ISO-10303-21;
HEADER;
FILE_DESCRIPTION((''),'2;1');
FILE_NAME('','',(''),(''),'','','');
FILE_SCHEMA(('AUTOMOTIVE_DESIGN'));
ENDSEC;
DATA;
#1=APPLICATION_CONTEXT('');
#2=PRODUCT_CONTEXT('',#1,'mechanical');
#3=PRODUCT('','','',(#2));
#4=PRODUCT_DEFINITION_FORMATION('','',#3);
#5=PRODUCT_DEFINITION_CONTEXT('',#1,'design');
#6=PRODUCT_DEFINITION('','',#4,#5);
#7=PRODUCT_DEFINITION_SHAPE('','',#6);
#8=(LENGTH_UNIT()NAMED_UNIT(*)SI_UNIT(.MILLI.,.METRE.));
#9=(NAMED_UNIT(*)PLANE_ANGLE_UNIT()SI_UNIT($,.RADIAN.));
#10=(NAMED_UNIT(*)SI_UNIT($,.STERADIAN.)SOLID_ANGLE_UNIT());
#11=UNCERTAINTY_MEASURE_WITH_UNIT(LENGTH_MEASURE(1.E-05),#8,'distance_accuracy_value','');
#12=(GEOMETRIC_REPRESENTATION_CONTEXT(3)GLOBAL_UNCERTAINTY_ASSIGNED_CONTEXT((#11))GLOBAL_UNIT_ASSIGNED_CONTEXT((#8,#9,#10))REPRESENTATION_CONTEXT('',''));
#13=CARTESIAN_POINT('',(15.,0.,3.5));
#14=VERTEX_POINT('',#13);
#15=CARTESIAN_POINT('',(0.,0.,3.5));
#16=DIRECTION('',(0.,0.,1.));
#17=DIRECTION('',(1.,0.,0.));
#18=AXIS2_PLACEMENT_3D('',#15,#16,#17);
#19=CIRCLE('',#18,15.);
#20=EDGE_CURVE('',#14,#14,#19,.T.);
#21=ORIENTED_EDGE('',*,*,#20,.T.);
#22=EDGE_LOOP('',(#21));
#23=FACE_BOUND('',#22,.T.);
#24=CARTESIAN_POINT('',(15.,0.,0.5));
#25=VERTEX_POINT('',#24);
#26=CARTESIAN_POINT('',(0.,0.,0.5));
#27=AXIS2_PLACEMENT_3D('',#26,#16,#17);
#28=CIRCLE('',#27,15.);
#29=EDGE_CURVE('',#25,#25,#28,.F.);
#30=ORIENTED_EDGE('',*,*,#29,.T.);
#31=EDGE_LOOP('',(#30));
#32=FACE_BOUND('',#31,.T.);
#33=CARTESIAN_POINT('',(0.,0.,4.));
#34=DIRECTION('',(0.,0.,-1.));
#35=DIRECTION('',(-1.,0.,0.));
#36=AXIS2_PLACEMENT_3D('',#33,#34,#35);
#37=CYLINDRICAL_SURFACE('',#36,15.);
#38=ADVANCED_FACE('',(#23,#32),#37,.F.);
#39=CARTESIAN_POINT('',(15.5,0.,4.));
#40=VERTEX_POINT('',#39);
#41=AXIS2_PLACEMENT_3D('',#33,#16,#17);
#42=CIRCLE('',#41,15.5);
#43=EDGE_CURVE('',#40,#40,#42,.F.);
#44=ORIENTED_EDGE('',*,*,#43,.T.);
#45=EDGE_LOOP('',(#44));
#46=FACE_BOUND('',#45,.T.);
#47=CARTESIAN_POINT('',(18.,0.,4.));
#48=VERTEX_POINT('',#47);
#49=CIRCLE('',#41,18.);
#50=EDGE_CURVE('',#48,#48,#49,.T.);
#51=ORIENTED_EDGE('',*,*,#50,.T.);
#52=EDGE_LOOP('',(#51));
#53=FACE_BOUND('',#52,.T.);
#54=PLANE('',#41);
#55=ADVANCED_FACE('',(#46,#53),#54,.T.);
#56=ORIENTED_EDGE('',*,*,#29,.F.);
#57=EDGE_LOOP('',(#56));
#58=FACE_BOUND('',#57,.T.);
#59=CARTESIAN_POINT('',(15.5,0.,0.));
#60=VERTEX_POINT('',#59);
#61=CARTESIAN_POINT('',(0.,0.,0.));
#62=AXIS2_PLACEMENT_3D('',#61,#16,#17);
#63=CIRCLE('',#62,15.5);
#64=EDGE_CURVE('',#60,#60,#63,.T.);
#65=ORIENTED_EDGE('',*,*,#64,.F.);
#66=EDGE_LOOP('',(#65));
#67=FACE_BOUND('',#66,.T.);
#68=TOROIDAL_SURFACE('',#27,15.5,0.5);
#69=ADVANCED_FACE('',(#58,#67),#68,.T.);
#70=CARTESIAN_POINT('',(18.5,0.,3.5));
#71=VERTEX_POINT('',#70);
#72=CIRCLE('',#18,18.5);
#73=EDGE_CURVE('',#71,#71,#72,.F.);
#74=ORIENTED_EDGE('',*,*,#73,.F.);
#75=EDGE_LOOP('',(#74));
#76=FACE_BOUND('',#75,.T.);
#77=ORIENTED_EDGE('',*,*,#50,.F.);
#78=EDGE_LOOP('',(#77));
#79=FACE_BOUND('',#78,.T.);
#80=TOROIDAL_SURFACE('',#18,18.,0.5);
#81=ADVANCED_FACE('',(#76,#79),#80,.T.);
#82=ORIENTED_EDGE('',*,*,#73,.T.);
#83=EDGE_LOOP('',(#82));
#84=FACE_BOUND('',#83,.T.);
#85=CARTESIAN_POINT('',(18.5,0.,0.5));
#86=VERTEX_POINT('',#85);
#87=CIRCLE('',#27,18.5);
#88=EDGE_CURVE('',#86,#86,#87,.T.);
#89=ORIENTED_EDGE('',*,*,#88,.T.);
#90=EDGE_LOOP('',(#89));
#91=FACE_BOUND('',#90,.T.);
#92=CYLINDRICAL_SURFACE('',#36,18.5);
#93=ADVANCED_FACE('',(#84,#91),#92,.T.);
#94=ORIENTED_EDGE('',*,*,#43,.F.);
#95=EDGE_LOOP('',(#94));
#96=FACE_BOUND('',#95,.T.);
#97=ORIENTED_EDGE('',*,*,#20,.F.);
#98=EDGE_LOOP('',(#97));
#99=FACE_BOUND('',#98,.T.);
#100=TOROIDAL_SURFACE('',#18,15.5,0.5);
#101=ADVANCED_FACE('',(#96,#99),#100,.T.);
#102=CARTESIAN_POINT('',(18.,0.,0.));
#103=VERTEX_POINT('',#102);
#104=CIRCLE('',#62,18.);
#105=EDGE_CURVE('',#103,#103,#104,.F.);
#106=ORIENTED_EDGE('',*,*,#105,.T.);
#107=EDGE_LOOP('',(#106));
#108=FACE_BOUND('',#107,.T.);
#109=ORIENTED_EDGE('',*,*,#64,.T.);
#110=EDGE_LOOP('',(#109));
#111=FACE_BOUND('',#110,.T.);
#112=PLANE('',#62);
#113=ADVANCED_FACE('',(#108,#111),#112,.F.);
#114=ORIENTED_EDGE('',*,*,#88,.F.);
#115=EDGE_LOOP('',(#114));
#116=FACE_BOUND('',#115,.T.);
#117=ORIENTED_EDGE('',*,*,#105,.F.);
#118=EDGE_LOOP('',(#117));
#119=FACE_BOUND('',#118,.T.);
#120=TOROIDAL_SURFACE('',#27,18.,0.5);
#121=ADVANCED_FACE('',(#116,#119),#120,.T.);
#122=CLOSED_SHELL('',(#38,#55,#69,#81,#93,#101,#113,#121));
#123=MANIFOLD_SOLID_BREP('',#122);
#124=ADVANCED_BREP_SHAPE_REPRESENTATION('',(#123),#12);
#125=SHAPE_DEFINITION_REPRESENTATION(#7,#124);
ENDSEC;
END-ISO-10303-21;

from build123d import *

# Parameters (mm, degrees)
SKETCH_1_R      = 18.5
SKETCH_1_R_2    = 15
EXTRUDE_1_DEPTH = 4
FILLET_1_R      = 0.5


with BuildPart() as part:
    # 草图1 → 凸台-拉伸1 (new body)
    with BuildSketch(Plane.XY):
        Circle(SKETCH_1_R)
        Circle(SKETCH_1_R_2, mode=Mode.SUBTRACT)
    extrude(amount=EXTRUDE_1_DEPTH)

    # 圆角1
    fillet_1_edges = [part.edges().sort_by_distance(p)[0] for p in [
        (-18.5, 0, 0),
        (-18.5, 0, 4),
        (-15, 0, 0),
        (-15, 0, 4),
    ]]
    fillet(fillet_1_edges, radius=FILLET_1_R)


solid = part.part
